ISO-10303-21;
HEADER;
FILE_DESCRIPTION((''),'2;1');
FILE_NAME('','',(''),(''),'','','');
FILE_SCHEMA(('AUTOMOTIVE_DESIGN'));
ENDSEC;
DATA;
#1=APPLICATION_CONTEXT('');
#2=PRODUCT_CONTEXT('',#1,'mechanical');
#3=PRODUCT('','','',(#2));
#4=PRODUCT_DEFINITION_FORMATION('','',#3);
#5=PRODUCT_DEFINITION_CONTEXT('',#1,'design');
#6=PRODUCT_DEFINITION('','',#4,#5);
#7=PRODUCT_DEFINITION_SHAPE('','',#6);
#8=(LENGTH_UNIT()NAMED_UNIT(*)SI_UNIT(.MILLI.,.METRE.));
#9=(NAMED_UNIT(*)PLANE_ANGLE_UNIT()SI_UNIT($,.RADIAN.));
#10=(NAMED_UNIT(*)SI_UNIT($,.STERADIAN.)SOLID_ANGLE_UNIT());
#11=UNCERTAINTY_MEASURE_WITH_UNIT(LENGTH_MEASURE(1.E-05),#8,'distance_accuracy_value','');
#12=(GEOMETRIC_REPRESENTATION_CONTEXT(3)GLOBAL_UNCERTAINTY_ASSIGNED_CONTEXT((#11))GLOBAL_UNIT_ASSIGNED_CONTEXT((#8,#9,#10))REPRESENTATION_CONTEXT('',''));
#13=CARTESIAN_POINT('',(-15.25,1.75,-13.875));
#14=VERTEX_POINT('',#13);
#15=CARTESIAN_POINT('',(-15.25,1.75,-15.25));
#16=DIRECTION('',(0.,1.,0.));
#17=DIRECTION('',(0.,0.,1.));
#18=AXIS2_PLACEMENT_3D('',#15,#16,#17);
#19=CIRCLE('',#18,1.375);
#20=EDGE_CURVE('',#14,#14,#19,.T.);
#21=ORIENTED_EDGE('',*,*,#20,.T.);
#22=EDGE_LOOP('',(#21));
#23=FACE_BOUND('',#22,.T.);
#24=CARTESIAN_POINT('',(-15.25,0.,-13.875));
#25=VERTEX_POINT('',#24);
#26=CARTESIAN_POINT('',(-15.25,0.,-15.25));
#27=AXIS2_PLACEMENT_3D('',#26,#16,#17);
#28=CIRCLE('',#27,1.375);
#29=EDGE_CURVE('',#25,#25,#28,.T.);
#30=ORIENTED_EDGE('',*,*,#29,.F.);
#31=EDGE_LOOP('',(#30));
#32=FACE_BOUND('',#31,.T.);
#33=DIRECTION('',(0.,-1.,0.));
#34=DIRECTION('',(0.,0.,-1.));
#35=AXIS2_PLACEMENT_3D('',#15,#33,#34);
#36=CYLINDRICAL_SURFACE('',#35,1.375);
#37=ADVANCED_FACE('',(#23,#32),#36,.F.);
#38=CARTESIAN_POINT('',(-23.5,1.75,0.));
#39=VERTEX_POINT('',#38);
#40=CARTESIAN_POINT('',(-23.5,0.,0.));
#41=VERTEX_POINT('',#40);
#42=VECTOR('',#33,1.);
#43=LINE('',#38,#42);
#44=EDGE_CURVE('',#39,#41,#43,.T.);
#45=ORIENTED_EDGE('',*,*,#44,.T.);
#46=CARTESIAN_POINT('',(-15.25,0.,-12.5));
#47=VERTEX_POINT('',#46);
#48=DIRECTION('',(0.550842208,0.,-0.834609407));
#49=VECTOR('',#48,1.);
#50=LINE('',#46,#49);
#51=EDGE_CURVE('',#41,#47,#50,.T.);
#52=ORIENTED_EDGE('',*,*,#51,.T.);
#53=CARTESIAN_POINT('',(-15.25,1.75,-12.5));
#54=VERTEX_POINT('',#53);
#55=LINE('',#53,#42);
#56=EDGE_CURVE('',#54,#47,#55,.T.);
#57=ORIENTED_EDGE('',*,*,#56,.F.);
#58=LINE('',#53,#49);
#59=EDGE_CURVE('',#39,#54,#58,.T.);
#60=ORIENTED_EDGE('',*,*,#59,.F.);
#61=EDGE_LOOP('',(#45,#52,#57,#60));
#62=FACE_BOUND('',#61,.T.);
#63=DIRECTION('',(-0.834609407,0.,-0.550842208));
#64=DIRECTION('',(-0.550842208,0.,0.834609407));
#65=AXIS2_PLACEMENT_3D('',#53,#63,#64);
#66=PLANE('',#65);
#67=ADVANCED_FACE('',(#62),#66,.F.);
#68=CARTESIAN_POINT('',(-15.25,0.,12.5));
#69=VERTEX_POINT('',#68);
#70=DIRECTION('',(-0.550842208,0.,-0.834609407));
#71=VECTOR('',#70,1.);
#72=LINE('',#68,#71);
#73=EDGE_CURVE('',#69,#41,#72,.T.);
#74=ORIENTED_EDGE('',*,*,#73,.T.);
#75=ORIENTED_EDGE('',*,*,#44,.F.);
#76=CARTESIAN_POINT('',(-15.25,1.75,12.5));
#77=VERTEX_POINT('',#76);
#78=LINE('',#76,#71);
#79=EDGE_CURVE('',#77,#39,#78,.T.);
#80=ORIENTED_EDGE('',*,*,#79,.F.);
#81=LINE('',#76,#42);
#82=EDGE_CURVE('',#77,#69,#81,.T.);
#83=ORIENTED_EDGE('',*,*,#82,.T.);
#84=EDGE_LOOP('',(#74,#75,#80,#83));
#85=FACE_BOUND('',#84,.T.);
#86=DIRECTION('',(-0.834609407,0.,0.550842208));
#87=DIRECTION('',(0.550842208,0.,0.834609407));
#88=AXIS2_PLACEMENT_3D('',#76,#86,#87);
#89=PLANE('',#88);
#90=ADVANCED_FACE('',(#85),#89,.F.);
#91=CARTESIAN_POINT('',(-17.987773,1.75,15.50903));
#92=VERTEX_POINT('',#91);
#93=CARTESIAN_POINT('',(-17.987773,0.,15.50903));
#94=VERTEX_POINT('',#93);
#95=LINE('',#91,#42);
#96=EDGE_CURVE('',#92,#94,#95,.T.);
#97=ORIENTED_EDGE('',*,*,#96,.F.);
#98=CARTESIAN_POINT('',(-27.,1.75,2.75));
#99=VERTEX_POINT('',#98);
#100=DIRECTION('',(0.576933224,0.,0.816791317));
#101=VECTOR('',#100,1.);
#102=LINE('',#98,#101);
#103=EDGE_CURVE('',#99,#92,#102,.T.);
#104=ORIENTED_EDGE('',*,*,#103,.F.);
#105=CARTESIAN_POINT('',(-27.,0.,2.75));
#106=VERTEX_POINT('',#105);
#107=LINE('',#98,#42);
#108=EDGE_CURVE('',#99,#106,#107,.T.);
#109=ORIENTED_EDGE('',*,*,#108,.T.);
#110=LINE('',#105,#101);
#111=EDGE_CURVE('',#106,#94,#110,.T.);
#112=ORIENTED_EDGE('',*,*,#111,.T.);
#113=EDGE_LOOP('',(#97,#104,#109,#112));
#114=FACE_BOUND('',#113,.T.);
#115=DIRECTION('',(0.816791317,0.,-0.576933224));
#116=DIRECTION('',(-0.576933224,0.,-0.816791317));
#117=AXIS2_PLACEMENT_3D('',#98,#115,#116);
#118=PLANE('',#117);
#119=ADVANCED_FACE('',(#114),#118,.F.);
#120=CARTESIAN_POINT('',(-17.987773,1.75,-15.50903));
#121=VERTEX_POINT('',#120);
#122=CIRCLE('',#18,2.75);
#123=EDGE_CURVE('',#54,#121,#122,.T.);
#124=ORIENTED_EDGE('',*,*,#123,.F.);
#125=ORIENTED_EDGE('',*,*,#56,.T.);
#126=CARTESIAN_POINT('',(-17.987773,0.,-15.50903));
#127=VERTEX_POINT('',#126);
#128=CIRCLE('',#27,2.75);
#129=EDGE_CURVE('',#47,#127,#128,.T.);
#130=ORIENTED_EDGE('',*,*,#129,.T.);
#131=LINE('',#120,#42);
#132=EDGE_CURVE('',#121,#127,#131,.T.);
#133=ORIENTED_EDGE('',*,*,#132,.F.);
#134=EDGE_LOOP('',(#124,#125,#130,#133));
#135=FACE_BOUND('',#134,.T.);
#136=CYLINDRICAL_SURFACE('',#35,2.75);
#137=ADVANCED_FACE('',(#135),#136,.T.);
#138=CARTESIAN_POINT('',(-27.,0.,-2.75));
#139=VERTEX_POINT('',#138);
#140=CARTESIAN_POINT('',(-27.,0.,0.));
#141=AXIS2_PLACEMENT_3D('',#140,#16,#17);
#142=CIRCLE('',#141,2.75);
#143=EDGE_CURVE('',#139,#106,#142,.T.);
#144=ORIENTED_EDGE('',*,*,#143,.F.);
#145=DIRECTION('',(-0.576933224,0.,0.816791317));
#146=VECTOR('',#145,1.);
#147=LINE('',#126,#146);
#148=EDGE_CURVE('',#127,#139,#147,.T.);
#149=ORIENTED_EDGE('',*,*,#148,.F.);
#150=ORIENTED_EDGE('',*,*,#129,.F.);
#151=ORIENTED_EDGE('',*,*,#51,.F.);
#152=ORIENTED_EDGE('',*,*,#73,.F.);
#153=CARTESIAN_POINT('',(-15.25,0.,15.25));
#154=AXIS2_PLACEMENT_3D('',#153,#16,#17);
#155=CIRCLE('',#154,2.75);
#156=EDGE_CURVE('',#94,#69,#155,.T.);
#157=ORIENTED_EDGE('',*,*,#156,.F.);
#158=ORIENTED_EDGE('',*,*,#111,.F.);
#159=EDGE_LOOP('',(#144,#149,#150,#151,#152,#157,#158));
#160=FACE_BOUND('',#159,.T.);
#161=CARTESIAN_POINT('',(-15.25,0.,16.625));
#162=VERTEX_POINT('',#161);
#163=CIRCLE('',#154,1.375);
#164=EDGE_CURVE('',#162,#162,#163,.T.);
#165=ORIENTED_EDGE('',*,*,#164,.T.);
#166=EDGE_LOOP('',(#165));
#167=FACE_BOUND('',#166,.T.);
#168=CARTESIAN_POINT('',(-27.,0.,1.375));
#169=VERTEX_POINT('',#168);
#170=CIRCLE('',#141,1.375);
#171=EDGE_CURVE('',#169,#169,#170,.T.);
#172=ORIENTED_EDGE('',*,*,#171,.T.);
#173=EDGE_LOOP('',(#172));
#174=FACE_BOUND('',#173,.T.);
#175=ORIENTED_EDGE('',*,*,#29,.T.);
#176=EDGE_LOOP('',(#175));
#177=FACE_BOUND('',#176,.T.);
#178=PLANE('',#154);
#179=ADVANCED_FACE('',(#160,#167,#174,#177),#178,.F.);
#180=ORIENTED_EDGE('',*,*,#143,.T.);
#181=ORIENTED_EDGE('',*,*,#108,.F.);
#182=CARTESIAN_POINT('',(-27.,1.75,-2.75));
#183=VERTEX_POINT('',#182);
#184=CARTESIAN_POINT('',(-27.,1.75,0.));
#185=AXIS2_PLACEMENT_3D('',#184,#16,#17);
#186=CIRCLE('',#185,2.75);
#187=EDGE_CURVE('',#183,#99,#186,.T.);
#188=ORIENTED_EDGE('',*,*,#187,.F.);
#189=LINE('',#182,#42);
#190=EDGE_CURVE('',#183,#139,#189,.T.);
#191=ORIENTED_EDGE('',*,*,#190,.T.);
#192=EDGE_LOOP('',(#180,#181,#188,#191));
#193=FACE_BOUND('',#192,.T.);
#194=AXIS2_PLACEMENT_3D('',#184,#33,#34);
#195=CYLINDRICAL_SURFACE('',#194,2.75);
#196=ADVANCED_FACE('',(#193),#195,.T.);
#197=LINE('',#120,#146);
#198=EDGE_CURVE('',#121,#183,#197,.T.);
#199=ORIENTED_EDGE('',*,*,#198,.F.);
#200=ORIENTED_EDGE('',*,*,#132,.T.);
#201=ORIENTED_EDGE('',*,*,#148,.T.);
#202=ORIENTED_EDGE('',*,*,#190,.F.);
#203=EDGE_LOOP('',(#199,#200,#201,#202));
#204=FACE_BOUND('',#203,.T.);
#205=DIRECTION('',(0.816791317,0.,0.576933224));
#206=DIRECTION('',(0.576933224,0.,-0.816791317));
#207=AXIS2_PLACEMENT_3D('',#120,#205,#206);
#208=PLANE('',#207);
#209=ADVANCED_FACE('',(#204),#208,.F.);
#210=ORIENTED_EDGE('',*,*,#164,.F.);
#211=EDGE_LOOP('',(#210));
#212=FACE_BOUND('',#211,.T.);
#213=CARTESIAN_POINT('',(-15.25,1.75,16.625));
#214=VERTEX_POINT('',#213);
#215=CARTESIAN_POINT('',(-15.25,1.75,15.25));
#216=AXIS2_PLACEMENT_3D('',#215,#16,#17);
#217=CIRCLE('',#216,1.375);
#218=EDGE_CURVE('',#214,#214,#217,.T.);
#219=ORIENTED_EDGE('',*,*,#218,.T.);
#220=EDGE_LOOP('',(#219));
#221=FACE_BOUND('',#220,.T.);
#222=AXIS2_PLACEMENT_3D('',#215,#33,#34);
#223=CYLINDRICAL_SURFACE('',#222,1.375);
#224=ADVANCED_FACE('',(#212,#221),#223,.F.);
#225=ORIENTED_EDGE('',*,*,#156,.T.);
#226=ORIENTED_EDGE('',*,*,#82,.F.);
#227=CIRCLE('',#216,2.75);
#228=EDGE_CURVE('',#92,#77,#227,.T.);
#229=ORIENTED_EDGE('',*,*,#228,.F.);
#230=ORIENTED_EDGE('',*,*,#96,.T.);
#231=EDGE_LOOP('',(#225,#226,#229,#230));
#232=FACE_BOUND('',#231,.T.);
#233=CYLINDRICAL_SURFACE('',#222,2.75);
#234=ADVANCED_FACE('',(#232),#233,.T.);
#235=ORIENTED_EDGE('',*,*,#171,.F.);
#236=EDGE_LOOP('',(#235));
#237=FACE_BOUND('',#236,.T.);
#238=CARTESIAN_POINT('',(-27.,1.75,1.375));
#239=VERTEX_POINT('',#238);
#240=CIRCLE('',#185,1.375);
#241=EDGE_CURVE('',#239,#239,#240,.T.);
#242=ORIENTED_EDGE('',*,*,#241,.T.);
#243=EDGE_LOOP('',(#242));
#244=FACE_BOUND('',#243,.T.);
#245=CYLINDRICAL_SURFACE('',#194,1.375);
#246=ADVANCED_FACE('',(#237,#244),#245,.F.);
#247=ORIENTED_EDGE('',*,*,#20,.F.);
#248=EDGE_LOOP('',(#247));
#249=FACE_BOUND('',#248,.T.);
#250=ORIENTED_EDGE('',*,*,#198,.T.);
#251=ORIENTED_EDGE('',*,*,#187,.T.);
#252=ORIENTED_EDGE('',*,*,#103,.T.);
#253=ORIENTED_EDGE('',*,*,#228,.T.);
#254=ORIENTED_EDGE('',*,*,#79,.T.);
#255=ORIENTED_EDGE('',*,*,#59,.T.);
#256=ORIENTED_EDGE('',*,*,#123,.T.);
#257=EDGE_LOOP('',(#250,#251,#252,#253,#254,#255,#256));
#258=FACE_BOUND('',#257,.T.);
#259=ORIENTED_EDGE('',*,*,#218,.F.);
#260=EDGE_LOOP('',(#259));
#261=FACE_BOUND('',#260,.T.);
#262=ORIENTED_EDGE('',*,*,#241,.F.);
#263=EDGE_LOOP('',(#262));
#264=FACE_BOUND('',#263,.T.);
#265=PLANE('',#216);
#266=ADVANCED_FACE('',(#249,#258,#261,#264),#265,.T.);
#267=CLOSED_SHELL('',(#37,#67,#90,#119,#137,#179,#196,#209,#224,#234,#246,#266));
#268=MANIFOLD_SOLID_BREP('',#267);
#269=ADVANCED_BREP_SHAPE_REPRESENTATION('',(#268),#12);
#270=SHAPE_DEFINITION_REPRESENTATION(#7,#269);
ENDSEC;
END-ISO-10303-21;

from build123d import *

# Parameters (mm, degrees)
SKETCH2_R           = 1.375
BOSS_EXTRUDE1_DEPTH = 1.75


with BuildPart() as part:
    # Sketch2 → Boss-Extrude1 (new body)
    with BuildSketch(Plane(origin=(0, 0, 0), x_dir=(1, 0, 0), z_dir=(0, 1, 0))):
        with BuildLine():
            Line((-27, -2.75), (-17.987773433, -15.509030166))
            ThreePointArc((-17.987773433, -15.509030166), (-13.21593597, -17.100698117), (-15.25, -12.5))
            Line((-15.25, -12.5), (-23.5, 0))
            Line((-23.5, 0), (-15.25, 12.5))
            ThreePointArc((-15.25, 12.5), (-13.21593597, 17.100698117), (-17.987773433, 15.509030166))
            Line((-17.987773433, 15.509030166), (-27, 2.75))
            ThreePointArc((-27, 2.75), (-29.75, 0), (-27, -2.75))
        make_face()
        with Locations(Location((-27, 0, 0), (0, 0, 270))):
            Circle(SKETCH2_R, mode=Mode.SUBTRACT)
        with Locations(Location((-15.25, 15.25, 0), (0, 0, 270))):
            Circle(SKETCH2_R, mode=Mode.SUBTRACT)
        with Locations(Location((-15.25, -15.25, 0), (0, 0, 270))):
            Circle(SKETCH2_R, mode=Mode.SUBTRACT)
    extrude(amount=BOSS_EXTRUDE1_DEPTH)


solid = part.part
